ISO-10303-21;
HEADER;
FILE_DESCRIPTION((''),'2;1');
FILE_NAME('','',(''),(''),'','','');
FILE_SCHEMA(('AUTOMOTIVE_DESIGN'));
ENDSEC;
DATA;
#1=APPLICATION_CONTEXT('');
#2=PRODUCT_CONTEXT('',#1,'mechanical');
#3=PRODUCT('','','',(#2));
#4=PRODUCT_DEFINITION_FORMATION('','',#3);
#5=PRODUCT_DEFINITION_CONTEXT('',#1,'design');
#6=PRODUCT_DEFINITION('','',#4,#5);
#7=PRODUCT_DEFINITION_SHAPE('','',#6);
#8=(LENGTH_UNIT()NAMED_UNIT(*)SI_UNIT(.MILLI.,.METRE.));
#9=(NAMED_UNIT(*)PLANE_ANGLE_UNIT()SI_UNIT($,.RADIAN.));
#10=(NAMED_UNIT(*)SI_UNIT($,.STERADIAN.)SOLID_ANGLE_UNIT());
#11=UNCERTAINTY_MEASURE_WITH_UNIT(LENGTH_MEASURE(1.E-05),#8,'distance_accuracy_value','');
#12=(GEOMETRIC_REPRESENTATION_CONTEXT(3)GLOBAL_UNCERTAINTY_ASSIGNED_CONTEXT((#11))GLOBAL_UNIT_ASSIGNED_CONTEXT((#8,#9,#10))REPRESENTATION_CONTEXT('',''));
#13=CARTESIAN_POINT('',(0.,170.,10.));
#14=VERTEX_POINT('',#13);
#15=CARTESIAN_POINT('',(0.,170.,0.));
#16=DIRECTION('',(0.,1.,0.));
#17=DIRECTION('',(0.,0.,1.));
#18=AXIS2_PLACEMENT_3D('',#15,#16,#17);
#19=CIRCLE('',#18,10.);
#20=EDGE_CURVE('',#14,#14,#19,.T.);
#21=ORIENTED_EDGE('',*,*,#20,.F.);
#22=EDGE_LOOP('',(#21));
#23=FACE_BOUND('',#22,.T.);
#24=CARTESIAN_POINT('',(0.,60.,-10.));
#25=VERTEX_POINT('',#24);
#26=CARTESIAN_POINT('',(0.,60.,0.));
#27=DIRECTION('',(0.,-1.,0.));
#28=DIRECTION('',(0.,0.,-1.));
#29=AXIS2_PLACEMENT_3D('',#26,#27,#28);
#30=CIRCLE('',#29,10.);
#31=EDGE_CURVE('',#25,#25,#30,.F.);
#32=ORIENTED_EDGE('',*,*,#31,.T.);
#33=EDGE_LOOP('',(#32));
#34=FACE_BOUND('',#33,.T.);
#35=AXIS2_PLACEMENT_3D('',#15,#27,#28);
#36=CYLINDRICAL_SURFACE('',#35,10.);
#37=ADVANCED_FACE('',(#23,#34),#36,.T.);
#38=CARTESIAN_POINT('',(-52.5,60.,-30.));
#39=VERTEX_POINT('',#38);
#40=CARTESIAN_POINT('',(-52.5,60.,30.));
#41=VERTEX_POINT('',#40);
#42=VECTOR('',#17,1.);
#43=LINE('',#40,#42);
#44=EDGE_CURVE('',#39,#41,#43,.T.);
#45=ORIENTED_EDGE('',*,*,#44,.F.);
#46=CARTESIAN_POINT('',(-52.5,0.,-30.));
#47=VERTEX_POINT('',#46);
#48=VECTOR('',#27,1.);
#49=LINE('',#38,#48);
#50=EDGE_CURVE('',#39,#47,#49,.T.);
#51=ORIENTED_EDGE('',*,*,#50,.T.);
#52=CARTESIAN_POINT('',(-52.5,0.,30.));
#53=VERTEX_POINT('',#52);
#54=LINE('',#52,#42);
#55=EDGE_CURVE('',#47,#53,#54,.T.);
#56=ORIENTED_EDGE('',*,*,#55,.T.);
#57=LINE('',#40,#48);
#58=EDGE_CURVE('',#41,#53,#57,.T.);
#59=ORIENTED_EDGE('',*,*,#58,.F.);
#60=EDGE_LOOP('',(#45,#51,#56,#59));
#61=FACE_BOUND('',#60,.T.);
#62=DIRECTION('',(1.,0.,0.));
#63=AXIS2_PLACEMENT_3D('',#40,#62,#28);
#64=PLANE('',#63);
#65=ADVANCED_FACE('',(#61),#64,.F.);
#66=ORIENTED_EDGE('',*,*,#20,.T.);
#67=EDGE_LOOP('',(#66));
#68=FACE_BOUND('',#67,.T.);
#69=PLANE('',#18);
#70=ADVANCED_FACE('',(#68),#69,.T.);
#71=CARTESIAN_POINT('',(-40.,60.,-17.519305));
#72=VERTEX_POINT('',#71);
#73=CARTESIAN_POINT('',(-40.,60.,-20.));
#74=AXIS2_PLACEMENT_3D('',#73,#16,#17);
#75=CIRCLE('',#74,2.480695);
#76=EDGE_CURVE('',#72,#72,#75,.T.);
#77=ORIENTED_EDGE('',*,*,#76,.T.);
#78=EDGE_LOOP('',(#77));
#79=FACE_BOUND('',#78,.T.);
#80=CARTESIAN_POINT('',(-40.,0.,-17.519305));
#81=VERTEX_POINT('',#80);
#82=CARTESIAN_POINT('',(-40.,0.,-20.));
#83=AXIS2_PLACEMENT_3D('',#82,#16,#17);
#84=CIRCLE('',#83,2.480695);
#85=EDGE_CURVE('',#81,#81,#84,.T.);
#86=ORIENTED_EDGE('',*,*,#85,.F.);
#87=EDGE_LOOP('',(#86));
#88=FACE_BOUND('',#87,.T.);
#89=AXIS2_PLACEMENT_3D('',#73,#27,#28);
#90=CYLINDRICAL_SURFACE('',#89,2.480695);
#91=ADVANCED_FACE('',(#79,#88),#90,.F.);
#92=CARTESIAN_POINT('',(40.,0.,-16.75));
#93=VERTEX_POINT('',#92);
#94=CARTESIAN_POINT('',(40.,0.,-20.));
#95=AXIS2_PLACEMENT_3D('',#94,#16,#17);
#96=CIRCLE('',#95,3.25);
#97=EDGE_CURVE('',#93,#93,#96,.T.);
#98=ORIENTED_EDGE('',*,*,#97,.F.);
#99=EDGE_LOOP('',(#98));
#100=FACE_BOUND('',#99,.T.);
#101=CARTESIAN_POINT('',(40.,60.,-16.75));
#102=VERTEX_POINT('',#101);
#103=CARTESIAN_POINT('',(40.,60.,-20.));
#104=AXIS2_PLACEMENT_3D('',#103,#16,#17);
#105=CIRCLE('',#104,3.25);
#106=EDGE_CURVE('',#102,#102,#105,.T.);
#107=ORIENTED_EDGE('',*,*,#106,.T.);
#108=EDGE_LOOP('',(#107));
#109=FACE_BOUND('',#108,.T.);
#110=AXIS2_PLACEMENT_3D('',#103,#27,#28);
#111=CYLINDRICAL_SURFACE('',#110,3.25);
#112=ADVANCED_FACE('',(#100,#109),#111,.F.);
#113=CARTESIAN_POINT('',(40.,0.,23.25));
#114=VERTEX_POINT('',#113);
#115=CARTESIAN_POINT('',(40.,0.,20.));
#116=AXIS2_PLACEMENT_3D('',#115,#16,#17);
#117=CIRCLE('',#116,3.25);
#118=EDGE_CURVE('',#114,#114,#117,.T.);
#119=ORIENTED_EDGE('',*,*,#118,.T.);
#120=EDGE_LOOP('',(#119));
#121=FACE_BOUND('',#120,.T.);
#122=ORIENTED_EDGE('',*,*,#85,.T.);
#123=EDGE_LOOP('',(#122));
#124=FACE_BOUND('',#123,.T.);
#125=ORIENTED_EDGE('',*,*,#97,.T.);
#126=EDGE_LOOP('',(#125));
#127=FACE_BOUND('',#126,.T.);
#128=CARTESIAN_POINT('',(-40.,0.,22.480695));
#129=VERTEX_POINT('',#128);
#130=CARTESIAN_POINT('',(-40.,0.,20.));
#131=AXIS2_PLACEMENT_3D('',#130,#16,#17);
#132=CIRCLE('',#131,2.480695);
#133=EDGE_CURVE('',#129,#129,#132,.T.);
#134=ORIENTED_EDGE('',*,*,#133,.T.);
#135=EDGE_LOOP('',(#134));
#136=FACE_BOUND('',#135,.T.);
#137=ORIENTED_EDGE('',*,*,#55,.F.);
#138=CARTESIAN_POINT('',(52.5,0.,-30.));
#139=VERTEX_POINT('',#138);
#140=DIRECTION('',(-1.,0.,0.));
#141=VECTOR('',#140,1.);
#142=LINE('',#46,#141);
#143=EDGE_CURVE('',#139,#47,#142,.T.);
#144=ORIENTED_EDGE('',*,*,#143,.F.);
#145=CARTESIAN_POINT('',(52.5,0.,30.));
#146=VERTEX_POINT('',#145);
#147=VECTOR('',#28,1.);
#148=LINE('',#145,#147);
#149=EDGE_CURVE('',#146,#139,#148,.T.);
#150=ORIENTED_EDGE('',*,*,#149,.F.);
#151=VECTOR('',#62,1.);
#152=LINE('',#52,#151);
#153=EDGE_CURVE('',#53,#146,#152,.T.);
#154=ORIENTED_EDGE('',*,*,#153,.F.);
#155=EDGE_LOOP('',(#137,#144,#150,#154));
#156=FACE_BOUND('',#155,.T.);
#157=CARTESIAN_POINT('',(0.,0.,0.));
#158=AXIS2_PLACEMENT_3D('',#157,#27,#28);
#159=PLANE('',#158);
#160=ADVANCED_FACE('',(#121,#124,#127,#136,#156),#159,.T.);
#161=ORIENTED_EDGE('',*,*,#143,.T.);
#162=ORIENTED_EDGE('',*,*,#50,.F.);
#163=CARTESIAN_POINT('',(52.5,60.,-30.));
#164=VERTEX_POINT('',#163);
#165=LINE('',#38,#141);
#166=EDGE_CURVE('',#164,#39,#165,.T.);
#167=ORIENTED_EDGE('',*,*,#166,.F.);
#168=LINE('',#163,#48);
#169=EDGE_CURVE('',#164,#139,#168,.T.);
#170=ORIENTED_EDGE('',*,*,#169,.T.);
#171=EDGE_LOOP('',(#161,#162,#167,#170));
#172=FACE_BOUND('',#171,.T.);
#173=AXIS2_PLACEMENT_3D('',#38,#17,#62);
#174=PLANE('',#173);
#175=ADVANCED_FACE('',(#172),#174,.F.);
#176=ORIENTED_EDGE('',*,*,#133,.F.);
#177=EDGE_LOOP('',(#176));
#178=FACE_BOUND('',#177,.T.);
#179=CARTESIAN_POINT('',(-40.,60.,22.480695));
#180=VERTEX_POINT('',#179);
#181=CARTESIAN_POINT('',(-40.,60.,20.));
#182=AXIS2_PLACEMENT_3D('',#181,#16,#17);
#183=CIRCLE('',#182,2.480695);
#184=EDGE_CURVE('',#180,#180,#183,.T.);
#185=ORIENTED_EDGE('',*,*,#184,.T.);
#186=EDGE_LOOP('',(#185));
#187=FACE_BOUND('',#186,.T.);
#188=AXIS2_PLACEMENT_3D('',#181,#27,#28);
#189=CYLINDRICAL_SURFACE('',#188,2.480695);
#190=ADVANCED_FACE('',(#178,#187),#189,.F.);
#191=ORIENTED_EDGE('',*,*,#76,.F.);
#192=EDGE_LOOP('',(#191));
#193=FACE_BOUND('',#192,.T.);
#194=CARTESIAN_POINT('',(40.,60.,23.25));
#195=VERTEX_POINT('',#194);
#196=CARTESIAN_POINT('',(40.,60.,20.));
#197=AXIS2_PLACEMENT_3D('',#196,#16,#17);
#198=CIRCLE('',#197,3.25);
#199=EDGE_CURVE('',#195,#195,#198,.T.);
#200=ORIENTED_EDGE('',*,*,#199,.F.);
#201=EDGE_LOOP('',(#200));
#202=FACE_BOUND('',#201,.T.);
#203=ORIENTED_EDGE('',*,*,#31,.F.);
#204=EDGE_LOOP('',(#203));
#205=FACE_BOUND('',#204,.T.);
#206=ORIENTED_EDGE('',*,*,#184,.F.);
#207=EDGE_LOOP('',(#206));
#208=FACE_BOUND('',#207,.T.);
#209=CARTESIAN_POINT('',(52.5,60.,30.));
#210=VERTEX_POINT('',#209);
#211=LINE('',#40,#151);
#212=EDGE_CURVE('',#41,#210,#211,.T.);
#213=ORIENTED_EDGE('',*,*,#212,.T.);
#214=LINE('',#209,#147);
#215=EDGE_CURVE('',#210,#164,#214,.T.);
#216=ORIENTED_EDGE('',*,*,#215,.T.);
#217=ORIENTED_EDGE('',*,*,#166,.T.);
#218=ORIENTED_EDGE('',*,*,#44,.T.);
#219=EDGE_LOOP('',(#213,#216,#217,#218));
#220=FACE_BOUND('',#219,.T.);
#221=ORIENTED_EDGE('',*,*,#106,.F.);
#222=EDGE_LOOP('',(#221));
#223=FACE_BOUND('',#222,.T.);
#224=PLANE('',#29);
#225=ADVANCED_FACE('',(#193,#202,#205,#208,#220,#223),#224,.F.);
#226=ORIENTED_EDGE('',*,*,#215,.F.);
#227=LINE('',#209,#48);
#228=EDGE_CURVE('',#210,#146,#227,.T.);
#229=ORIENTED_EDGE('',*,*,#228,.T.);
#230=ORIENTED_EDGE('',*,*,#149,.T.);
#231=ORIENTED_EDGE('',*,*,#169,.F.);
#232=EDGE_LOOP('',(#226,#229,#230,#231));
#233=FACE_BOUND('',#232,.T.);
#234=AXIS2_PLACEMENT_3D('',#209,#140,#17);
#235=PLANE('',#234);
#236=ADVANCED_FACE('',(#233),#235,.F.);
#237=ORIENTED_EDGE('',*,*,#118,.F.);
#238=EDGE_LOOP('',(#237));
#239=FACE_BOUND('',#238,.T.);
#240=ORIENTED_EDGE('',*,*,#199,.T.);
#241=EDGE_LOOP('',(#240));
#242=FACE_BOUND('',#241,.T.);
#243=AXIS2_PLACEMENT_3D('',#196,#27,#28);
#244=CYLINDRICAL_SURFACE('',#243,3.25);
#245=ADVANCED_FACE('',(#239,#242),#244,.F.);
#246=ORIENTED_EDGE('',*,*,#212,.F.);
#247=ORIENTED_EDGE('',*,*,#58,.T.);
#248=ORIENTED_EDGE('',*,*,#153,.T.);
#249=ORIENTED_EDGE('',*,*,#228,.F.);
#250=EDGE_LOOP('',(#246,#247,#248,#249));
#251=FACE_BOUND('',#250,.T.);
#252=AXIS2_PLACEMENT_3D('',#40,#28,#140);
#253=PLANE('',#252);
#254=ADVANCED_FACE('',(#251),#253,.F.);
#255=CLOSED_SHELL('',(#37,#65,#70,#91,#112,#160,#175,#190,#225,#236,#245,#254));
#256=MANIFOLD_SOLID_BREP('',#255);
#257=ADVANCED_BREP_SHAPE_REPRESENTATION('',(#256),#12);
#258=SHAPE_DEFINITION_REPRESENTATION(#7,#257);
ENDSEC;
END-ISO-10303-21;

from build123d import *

# Parameters (mm, degrees)
F_01_HOUSING_PROFILE_W      = 105
F_01_HOUSING_PROFILE_H      = 60
F_01_HOUSING_PROFILE_R      = 2.480694692
F_01_HOUSING_PROFILE_R_2    = 3.25
F_01_HOUSING_BLOCK_DEPTH    = 60
F_03_OUTPUT_SHAFT_PROFILE_R = 10
F_03_OUTPUT_SHAFT_DEPTH     = 170


with BuildPart() as part:
    # 01_Housing_Profile → 01_Housing_Block (new body)
    with BuildSketch(Plane(origin=(0, 0, 0), x_dir=(1, 0, 0), z_dir=(0, 1, 0))):
        Rectangle(F_01_HOUSING_PROFILE_W, F_01_HOUSING_PROFILE_H)
        with Locations(Location((-40, -20, 0), (0, 0, 270))):
            Circle(F_01_HOUSING_PROFILE_R, mode=Mode.SUBTRACT)
        with Locations(Location((40, -20, 0), (0, 0, 270))):
            Circle(F_01_HOUSING_PROFILE_R_2, mode=Mode.SUBTRACT)
        with Locations(Location((-40, 20, 0), (0, 0, 270))):
            Circle(F_01_HOUSING_PROFILE_R, mode=Mode.SUBTRACT)
        with Locations(Location((40, 20, 0), (0, 0, 270))):
            Circle(F_01_HOUSING_PROFILE_R_2, mode=Mode.SUBTRACT)
    extrude(amount=F_01_HOUSING_BLOCK_DEPTH)

    # 03_Output_Shaft_Profile → 03_Output_Shaft (add)
    with BuildSketch(Plane(origin=(0, 0, 0), x_dir=(1, 0, 0), z_dir=(0, 1, 0))):
        with Locations(Location((0, 0, 0), (0, 0, 90))):
            Circle(F_03_OUTPUT_SHAFT_PROFILE_R)
    extrude(amount=F_03_OUTPUT_SHAFT_DEPTH)


solid = part.part
